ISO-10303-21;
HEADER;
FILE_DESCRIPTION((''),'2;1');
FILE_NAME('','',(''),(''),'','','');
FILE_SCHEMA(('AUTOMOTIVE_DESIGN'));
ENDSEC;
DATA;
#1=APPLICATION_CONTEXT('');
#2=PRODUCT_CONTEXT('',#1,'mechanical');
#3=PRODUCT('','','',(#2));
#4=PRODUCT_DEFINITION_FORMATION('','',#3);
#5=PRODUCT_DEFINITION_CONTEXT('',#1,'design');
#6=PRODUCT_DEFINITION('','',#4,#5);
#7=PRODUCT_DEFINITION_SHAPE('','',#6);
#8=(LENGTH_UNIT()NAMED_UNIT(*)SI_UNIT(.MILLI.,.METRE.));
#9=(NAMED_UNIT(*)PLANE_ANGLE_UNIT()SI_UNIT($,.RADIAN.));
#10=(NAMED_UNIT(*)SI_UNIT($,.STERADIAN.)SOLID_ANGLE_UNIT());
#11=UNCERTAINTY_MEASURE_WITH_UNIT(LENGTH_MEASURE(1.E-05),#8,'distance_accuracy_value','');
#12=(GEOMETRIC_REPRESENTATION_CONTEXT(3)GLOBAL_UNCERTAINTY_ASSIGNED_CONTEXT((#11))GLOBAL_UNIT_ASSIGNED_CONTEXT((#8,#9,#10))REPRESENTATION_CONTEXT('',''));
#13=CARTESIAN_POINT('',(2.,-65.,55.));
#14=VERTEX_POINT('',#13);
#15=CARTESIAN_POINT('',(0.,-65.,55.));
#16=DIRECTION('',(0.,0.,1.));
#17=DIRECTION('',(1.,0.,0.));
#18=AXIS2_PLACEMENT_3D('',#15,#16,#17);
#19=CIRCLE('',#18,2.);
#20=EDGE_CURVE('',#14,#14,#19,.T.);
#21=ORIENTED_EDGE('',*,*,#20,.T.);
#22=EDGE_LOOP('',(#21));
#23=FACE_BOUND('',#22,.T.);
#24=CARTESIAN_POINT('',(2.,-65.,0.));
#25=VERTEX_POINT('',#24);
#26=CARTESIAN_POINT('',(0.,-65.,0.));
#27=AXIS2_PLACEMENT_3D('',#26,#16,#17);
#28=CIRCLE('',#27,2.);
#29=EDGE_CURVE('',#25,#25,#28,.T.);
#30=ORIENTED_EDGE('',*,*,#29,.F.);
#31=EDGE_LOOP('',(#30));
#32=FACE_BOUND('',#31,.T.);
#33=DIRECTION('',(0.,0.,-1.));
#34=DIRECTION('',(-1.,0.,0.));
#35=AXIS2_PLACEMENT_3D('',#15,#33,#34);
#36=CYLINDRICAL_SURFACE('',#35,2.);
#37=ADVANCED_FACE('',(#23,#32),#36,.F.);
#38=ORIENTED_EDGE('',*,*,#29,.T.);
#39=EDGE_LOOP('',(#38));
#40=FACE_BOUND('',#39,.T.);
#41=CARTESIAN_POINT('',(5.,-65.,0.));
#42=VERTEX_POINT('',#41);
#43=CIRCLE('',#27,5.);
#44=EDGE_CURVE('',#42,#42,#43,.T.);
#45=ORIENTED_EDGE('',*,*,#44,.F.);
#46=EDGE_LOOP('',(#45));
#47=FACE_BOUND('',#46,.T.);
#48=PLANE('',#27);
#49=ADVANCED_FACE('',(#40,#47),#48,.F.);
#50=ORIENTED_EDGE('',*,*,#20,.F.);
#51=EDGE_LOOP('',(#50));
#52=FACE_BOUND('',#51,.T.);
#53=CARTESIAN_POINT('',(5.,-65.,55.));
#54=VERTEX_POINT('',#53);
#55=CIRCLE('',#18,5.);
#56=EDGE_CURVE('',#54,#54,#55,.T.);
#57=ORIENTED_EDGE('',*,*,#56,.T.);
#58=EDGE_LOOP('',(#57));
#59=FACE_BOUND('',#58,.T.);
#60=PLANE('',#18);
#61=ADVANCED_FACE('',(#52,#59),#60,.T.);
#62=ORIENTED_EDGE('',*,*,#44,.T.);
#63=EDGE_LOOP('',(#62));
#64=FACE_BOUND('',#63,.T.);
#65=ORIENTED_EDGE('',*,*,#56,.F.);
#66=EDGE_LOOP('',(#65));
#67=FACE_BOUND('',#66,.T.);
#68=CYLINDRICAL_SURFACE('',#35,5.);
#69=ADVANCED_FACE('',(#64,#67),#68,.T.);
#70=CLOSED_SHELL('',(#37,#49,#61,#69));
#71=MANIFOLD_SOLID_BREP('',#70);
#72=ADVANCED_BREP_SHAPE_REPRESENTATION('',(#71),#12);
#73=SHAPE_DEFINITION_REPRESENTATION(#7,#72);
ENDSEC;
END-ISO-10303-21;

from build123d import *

# Parameters (mm, degrees)
SKETCH1_R           = 5
SKETCH1_R_2         = 2
BOSS_EXTRUDE1_DEPTH = 55


with BuildPart() as part:
    # Sketch1 → Boss-Extrude1 (new body)
    with BuildSketch(Plane.XY):
        with Locations((0, -65)):
            Circle(SKETCH1_R)
        with Locations((0, -65)):
            Circle(SKETCH1_R_2, mode=Mode.SUBTRACT)
    extrude(amount=BOSS_EXTRUDE1_DEPTH)


solid = part.part
